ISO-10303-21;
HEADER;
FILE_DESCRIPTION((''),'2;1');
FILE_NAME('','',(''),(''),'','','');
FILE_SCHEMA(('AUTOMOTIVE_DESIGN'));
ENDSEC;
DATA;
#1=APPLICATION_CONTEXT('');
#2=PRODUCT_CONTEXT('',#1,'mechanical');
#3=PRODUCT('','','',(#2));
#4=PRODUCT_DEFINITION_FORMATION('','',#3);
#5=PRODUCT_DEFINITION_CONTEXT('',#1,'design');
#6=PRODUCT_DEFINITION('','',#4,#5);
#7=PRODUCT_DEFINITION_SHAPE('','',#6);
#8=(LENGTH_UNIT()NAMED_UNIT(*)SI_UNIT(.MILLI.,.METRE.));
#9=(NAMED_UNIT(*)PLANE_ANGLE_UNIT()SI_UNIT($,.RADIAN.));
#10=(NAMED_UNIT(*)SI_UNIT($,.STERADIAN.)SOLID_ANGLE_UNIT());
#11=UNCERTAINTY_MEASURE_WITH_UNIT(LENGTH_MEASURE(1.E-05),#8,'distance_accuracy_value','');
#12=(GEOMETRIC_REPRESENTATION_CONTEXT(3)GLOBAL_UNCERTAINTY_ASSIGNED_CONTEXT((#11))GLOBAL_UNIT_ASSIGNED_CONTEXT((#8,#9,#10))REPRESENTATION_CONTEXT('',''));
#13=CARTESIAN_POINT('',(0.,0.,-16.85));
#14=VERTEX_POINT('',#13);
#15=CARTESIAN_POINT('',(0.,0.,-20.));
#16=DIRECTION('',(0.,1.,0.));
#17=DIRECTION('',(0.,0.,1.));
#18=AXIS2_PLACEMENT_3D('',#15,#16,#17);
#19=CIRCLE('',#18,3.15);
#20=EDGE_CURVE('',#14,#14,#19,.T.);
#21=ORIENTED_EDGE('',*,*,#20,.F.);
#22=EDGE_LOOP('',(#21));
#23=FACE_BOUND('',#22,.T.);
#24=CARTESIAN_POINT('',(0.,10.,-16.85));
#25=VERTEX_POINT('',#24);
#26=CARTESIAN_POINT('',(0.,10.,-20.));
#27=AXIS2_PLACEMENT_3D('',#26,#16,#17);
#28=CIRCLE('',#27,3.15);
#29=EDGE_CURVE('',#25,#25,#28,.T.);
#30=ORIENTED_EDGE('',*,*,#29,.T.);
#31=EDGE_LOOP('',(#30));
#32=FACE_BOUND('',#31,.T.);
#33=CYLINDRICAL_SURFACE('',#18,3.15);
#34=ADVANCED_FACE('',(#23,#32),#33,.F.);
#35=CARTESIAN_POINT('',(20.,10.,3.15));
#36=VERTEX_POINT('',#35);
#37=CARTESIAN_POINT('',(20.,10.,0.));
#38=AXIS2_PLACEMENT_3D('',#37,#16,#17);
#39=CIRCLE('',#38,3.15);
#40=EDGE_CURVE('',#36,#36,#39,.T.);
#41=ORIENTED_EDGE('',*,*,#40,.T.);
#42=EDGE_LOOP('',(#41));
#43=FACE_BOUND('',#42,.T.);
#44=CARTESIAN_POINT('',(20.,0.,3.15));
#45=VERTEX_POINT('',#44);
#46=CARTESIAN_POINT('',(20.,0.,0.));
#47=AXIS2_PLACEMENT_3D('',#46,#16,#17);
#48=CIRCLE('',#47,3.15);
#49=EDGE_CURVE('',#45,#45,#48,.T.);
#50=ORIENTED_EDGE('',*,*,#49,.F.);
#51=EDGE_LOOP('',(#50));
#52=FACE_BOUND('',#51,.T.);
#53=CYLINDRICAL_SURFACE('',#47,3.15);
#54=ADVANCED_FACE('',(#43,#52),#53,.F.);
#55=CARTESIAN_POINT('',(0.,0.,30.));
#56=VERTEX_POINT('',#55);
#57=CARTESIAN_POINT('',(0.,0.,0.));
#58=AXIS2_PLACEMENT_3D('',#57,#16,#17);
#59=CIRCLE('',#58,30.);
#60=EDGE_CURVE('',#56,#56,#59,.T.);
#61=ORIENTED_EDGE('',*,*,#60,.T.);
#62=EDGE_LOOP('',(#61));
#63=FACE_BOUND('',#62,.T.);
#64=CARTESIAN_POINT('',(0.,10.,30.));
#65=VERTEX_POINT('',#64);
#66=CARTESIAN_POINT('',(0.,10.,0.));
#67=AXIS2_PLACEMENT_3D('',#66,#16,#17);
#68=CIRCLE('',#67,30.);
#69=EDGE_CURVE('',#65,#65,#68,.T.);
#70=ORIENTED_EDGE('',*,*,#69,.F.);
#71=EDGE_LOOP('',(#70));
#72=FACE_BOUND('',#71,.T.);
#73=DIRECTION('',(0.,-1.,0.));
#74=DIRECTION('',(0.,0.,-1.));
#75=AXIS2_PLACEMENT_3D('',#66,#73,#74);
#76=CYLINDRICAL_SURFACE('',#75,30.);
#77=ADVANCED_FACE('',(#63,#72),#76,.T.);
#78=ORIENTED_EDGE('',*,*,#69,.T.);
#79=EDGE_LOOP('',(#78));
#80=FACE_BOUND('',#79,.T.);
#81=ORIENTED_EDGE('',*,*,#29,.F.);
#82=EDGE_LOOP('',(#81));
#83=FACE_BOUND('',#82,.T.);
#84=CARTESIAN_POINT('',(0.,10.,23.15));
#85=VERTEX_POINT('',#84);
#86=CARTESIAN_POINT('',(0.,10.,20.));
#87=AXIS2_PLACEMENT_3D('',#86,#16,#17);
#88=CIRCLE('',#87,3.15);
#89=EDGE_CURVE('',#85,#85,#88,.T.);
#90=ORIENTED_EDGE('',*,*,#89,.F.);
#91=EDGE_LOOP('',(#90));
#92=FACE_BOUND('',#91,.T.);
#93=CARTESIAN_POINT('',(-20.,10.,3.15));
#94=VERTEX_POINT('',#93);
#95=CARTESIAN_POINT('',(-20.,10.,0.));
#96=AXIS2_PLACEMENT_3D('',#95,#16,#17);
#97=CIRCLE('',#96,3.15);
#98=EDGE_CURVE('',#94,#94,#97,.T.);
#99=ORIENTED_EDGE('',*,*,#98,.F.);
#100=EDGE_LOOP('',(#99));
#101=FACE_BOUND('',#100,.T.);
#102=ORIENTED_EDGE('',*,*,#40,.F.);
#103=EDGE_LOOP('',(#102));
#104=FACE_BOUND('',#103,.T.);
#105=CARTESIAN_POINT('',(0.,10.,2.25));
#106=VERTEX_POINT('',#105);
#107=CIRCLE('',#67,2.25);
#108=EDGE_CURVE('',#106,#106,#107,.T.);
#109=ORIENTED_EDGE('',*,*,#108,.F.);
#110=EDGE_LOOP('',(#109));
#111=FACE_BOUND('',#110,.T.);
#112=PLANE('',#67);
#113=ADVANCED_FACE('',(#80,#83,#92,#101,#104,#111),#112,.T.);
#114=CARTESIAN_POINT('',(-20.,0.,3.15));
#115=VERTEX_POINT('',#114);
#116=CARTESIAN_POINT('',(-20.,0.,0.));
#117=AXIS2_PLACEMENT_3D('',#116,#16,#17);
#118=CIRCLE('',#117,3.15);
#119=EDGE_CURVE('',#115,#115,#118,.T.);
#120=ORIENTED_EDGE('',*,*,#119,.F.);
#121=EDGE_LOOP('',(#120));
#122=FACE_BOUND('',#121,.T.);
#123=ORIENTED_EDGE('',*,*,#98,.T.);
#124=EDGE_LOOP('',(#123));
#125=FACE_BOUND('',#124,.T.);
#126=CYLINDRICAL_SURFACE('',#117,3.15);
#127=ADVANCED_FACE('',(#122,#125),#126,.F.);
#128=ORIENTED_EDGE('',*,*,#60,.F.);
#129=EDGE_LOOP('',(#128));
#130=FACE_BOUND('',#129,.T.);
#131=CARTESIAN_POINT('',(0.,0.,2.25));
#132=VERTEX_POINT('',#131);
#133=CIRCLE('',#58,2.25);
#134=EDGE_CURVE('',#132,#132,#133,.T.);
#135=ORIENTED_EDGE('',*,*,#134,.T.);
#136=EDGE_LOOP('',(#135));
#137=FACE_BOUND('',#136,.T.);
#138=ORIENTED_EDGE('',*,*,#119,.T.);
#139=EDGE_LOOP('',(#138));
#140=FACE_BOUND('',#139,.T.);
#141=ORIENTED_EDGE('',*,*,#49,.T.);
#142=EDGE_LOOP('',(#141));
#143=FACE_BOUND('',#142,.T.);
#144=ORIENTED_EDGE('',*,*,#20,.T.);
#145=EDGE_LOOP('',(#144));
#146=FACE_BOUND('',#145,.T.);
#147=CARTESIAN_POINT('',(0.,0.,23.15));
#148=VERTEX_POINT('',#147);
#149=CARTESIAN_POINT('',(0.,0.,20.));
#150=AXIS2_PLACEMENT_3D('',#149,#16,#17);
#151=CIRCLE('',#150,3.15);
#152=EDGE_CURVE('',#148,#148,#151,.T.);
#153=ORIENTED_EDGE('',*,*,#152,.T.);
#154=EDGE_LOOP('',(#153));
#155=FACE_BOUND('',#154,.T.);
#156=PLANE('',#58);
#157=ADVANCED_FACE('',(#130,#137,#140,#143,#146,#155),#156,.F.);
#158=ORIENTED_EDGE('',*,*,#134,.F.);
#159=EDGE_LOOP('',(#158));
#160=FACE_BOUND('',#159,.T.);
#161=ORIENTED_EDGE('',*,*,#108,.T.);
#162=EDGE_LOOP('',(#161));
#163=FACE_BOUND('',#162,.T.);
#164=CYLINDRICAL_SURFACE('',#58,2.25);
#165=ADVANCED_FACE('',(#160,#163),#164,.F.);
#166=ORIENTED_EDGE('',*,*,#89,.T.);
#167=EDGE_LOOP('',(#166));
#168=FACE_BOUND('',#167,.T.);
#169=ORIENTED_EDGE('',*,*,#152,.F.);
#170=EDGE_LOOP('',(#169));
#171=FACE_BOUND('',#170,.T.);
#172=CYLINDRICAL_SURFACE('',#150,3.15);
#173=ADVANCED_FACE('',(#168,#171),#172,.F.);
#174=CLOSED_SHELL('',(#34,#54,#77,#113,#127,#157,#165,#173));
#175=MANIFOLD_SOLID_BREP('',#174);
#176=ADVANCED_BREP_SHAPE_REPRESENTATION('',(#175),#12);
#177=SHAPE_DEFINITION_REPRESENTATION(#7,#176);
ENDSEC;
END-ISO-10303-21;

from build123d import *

# Parameters (mm, degrees)
SKETCH1_R           = 30
BOSS_EXTRUDE1_DEPTH = 10
SKETCH3_R           = 3.15
CUT_EXTRUDE2_DEPTH  = 44.588989435
SKETCH4_R           = 2.25
CUT_EXTRUDE3_DEPTH  = 10


with BuildPart() as part:
    # Sketch1 → Boss-Extrude1 (new body)
    with BuildSketch(Plane(origin=(0, 0, 0), x_dir=(1, 0, 0), z_dir=(0, 1, 0))):
        with Locations(Location((0, 0, 0), (0, 0, 270))):
            Circle(SKETCH1_R)
    extrude(amount=BOSS_EXTRUDE1_DEPTH)

    # Sketch3 → Cut-Extrude2 (cut, through all)
    with BuildSketch(Plane(origin=(0, 10, 0), x_dir=(1, 0, 0), z_dir=(0, 1, 0))):
        with Locations(Location((0, 20, 0), (0, 0, 270))):
            Circle(SKETCH3_R)
        with Locations(Location((20, 0, 0), (0, 0, 270))):
            Circle(SKETCH3_R)
        with Locations(Location((0, -20, 0), (0, 0, 270))):
            Circle(SKETCH3_R)
        with Locations(Location((-20, 0, 0), (0, 0, 270))):
            Circle(SKETCH3_R)
    extrude(amount=-CUT_EXTRUDE2_DEPTH, mode=Mode.SUBTRACT)

    # Sketch4 → Cut-Extrude3 (cut)
    with BuildSketch(Plane(origin=(0, 10, 0), x_dir=(1, 0, 0), z_dir=(0, 1, 0))):
        with Locations(Location((0, 0, 0), (0, 0, 270))):
            Circle(SKETCH4_R)
    extrude(amount=-CUT_EXTRUDE3_DEPTH, mode=Mode.SUBTRACT)


solid = part.part
